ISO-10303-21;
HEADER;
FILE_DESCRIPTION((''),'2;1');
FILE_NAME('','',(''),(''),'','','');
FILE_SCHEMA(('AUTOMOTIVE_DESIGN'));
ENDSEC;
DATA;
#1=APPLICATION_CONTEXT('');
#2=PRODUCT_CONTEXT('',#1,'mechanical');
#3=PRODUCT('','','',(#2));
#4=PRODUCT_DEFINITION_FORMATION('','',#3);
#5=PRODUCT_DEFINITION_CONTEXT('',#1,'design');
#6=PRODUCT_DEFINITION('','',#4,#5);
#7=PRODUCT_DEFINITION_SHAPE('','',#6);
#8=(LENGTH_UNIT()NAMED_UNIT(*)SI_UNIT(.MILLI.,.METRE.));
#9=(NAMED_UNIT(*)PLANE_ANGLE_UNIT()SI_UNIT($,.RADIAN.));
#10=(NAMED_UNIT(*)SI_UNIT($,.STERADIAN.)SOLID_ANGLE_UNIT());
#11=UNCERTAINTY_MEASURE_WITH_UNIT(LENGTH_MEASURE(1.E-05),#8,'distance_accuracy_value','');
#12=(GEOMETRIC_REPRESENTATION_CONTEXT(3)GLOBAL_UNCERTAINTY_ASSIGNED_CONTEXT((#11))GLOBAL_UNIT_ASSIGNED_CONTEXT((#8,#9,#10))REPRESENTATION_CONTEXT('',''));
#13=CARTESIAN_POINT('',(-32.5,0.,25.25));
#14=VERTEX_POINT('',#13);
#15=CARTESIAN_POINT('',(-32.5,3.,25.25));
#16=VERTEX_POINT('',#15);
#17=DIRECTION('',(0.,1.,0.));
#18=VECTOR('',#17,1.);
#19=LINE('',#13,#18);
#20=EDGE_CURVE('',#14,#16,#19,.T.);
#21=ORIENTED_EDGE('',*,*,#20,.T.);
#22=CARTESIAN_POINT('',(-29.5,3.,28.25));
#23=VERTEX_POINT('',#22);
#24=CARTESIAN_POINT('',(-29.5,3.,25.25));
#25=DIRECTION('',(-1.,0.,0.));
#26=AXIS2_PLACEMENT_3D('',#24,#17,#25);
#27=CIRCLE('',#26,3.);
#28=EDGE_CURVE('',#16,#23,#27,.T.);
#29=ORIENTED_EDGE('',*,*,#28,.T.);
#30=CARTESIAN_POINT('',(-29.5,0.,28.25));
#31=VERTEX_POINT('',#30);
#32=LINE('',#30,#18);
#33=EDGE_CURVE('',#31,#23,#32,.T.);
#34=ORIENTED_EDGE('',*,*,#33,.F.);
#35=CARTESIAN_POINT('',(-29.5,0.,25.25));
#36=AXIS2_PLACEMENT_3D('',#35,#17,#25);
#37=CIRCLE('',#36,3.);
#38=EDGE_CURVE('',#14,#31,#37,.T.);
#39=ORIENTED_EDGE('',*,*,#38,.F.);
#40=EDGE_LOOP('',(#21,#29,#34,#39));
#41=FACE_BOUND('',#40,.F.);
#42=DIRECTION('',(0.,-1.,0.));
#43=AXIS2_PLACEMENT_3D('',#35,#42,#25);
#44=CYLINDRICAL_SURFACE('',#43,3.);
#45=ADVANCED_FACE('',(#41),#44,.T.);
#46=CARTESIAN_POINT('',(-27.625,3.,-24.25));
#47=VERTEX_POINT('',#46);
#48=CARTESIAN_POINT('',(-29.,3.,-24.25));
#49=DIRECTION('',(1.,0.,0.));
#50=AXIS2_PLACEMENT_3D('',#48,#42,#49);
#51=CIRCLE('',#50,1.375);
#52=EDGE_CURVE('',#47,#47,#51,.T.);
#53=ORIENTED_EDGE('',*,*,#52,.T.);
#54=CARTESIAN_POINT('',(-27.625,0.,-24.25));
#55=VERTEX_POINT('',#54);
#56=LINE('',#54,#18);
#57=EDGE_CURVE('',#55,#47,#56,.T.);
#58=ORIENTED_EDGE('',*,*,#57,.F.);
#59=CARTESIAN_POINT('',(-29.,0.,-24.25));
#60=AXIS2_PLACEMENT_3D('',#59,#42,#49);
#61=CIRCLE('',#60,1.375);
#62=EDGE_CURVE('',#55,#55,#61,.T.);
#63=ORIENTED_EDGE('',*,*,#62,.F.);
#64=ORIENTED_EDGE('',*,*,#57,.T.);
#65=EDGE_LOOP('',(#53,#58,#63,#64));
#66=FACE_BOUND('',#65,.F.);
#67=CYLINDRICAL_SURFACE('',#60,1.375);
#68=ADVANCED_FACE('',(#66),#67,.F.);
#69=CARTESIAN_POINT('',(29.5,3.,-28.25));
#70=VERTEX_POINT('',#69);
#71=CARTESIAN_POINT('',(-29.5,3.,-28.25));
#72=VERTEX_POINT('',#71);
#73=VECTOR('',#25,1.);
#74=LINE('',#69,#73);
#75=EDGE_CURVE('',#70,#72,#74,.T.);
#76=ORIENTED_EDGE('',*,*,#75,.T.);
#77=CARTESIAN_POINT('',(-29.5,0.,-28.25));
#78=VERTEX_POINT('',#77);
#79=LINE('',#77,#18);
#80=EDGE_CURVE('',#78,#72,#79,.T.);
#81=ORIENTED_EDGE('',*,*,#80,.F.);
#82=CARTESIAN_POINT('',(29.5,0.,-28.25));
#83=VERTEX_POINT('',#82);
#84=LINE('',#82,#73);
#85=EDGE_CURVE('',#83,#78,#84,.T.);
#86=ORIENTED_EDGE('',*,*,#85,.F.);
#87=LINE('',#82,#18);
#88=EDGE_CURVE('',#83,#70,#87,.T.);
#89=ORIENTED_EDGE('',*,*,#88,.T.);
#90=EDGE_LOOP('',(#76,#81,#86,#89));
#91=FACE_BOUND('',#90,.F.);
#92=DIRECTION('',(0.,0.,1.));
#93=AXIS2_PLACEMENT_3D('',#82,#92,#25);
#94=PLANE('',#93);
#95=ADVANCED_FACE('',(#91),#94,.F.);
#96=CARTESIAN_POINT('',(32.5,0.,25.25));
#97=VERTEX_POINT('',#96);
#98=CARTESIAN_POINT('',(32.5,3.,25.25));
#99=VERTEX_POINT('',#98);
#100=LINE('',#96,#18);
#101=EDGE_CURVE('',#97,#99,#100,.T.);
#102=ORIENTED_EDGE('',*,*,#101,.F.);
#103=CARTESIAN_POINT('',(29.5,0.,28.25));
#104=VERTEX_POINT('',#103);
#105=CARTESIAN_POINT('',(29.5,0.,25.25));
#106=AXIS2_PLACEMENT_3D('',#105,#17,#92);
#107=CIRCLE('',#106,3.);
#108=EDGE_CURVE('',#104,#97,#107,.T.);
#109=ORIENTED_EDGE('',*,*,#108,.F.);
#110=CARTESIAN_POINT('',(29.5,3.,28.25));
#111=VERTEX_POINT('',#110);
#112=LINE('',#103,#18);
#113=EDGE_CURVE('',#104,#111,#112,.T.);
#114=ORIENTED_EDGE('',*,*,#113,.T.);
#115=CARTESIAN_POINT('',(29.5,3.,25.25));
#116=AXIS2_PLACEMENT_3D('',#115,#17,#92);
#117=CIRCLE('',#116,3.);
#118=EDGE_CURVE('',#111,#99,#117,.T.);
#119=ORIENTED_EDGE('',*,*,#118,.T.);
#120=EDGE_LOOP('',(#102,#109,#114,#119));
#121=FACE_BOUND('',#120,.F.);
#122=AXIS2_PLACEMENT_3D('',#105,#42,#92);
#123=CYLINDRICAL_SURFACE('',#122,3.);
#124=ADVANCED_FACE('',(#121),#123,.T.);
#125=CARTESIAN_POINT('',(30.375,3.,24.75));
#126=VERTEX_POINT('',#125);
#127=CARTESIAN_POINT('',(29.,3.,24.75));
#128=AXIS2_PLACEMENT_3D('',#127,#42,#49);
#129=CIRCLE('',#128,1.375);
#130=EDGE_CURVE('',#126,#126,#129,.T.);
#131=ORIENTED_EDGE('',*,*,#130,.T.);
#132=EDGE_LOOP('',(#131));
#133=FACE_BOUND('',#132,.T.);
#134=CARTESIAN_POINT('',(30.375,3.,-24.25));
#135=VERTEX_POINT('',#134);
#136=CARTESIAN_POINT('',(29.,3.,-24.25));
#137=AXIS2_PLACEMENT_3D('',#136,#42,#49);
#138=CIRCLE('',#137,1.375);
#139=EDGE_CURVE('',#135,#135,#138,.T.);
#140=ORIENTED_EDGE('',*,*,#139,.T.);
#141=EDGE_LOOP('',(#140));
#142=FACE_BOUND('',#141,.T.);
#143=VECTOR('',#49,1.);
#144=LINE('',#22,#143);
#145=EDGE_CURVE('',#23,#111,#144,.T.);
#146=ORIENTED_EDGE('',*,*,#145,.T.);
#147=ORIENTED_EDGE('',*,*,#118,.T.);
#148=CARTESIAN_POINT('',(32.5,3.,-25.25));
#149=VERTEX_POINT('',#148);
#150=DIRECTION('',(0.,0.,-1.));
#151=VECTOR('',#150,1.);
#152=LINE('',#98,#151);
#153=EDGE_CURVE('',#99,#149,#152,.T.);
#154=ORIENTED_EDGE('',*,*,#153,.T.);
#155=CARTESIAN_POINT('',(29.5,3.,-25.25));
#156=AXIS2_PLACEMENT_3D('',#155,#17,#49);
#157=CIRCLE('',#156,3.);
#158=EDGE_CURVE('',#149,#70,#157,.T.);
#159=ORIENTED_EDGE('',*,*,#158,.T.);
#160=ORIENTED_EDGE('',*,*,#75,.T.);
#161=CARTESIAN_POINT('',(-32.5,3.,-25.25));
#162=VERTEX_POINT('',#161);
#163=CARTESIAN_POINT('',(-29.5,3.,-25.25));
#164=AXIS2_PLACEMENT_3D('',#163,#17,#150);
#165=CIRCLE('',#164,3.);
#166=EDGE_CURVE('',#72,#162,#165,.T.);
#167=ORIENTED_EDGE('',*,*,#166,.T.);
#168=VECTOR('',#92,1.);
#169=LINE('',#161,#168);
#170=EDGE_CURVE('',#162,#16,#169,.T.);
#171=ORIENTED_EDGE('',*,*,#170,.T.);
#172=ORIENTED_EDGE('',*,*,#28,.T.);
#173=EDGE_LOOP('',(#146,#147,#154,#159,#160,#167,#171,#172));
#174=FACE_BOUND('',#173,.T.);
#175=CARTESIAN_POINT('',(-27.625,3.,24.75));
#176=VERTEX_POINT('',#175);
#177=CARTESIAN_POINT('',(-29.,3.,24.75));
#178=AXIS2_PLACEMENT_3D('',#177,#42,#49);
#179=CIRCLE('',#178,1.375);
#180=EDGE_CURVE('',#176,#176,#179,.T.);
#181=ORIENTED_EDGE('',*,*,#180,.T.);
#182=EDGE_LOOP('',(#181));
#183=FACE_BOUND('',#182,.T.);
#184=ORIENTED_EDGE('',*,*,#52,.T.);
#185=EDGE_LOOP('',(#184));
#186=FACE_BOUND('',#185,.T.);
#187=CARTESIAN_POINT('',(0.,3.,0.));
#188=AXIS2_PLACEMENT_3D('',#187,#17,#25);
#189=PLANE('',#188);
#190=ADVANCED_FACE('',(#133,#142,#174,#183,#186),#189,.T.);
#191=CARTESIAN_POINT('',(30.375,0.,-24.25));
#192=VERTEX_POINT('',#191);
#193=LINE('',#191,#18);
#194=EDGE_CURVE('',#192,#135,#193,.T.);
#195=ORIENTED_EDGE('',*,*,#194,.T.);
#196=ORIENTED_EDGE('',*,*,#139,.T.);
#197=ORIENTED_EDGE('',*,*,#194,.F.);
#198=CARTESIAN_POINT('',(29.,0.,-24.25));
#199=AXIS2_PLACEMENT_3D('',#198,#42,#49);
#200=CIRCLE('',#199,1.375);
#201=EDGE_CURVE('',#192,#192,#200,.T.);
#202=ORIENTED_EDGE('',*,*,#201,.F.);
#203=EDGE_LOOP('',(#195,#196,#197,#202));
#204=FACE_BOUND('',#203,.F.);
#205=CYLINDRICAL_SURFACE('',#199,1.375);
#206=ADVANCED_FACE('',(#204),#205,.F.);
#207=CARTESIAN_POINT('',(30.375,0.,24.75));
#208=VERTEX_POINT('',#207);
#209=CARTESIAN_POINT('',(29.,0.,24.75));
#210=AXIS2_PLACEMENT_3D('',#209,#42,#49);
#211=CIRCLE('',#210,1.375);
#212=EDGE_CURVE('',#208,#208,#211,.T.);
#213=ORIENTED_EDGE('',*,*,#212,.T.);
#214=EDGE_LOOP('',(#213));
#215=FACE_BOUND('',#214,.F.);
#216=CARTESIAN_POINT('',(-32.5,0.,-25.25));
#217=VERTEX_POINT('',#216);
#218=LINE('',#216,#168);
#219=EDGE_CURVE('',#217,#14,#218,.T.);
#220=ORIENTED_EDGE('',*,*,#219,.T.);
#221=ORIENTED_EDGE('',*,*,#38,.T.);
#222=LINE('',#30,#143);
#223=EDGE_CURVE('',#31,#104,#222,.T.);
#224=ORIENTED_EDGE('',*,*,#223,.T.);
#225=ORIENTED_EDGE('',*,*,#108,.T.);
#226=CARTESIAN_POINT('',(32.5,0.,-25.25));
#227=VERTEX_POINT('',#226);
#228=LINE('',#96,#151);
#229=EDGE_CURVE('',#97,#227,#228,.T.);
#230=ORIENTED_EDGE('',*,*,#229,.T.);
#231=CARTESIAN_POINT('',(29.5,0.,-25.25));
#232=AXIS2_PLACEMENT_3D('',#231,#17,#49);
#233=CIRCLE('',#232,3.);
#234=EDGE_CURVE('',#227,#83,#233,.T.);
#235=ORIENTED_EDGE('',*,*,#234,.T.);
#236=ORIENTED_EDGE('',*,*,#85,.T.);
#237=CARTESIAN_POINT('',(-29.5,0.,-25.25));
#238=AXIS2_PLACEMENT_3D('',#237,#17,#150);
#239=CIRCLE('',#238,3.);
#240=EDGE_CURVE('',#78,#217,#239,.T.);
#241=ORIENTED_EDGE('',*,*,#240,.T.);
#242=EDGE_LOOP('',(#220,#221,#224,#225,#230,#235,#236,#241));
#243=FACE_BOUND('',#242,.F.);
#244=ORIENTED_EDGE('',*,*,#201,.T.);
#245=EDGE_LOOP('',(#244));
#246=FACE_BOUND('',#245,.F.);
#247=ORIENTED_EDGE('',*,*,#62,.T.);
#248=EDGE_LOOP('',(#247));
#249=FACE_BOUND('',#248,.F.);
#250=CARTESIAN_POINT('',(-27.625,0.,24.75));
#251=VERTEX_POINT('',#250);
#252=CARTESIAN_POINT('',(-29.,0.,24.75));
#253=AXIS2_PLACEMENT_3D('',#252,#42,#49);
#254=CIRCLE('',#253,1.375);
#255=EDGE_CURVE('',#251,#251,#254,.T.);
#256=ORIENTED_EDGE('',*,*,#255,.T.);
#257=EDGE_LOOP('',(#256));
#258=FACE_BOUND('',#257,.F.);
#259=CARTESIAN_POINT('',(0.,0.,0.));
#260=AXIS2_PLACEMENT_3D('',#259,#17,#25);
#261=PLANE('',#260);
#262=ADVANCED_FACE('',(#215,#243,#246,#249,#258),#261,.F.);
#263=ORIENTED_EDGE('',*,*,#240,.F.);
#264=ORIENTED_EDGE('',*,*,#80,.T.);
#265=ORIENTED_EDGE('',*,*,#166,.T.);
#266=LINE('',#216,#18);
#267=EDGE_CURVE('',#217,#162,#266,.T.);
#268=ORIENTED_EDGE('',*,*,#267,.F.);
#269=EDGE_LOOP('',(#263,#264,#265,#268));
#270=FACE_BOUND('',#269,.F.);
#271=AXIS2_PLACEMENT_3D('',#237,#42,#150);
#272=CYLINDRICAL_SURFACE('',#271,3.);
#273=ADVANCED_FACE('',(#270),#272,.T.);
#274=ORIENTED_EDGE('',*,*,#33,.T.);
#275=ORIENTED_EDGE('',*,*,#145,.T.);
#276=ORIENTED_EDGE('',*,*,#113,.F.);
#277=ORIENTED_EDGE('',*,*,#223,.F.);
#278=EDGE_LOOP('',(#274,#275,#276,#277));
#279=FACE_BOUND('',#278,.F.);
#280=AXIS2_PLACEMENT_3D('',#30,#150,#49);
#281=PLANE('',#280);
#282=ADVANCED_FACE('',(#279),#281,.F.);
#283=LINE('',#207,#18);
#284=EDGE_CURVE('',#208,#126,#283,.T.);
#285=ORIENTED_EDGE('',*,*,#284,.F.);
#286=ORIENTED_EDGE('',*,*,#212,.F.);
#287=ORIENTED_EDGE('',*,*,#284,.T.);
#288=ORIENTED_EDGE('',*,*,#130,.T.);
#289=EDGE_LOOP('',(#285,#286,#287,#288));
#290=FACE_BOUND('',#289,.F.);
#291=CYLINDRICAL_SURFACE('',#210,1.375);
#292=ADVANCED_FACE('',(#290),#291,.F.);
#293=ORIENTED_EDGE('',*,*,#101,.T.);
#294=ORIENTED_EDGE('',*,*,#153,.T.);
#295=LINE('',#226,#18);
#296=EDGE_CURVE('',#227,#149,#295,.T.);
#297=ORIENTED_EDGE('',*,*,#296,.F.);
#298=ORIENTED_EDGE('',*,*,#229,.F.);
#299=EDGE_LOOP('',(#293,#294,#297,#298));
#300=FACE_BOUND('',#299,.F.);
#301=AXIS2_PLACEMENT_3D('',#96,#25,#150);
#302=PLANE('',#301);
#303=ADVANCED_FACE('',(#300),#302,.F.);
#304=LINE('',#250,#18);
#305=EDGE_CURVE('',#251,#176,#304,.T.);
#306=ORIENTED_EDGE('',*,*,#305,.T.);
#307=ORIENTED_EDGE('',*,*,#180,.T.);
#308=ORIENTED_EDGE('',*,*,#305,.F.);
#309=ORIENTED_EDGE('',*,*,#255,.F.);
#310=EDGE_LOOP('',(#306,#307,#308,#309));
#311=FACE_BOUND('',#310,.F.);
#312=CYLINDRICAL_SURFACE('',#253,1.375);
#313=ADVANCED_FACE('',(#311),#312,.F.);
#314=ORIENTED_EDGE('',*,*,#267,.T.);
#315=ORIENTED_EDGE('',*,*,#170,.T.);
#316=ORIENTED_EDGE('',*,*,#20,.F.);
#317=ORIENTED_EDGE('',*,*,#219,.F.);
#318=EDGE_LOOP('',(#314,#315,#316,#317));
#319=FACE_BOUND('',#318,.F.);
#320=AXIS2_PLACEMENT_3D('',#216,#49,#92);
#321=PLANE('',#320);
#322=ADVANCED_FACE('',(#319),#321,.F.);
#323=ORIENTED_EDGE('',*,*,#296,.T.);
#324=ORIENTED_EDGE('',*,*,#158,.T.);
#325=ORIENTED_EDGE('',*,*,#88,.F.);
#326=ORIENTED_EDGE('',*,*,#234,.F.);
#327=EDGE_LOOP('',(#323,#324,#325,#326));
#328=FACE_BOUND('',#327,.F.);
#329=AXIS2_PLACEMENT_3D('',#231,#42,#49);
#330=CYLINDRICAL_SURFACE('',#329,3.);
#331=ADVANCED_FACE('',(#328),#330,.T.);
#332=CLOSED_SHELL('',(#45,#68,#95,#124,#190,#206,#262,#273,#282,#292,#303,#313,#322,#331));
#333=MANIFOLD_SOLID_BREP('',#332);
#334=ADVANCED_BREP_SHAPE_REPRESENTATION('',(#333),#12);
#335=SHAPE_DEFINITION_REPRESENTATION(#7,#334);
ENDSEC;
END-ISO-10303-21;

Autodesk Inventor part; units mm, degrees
ref_plane "YZ Plane" through (0, 0, 0) normal (1, 0, 0) x (0, 1, 0)
ref_plane "XZ Plane" through (0, 0, 0) normal (0, 1, 0) x (-1, 0, 0)
ref_plane "XY Plane" through (0, 0, 0) normal (0, 0, 1) x (1, 0, 0)
sketch "Sketch1" plane through (0, 0, 0) normal (0, 1, 0) x (-1, 0, 0)
  line L0 (29.5, 28.25) -> (-29.5, 28.25)
  line L1 (-32.5, 25.25) -> (-32.5, -25.25)
  line L2 (-29.5, -28.25) -> (29.5, -28.25)
  line L3 (32.5, -25.25) -> (32.5, 25.25)
  line L4 (32.5, 28.25) -> (-32.5, -28.25) construction
  line L5 (-32.5, 28.25) -> (32.5, -28.25) construction
  arc A0 (32.5, 25.25) -> (29.5, 28.25) centre (29.5, 25.25) ccw
  arc A1 (29.5, -28.25) -> (32.5, -25.25) centre (29.5, -25.25) ccw
  arc A2 (-32.5, -25.25) -> (-29.5, -28.25) centre (-29.5, -25.25) ccw
  arc A3 (-29.5, 28.25) -> (-32.5, 25.25) centre (-29.5, 25.25) ccw
  point P0 (0, 0)
  dimension "d0" = 65
  dimension "d1" = 56.5
  dimension "d2" = 3
extrude "Extrusion1" add sketch "Sketch1" along normal blind 3
sketch "Sketch2" plane through (0, 0, 0) normal (0, -1, 0) x (1, 0, 0)
  circle A0 centre (-29, 24.75) radius 1.375
  circle A1 centre (29, 24.75) radius 1.375
  circle A2 centre (29, -24.25) radius 1.375
  circle A3 centre (-29, -24.25) radius 1.375
  line L0 (-32.5, 25.25) -> (-32.5, -25.25) projected
  line L1 (29.5, 28.25) -> (-29.5, 28.25) projected
  point P0 (0, 0)
  dimension "d5" = 2.75
  dimension "d6" = 2.75
  dimension "d7" = 2.75
  dimension "d8" = 2.75
  dimension "d9" = 49
  dimension "d10" = 58
  dimension "d11" = 3.5
  dimension "d12" = 3.5
  dimension "d13" = 3.5
  dimension "d14" = 3.5
  dimension "d15" = 58
  dimension "d16" = 49
extrude "Extrusion2" cut sketch "Sketch2" against normal blind 3
properties part number "print"
